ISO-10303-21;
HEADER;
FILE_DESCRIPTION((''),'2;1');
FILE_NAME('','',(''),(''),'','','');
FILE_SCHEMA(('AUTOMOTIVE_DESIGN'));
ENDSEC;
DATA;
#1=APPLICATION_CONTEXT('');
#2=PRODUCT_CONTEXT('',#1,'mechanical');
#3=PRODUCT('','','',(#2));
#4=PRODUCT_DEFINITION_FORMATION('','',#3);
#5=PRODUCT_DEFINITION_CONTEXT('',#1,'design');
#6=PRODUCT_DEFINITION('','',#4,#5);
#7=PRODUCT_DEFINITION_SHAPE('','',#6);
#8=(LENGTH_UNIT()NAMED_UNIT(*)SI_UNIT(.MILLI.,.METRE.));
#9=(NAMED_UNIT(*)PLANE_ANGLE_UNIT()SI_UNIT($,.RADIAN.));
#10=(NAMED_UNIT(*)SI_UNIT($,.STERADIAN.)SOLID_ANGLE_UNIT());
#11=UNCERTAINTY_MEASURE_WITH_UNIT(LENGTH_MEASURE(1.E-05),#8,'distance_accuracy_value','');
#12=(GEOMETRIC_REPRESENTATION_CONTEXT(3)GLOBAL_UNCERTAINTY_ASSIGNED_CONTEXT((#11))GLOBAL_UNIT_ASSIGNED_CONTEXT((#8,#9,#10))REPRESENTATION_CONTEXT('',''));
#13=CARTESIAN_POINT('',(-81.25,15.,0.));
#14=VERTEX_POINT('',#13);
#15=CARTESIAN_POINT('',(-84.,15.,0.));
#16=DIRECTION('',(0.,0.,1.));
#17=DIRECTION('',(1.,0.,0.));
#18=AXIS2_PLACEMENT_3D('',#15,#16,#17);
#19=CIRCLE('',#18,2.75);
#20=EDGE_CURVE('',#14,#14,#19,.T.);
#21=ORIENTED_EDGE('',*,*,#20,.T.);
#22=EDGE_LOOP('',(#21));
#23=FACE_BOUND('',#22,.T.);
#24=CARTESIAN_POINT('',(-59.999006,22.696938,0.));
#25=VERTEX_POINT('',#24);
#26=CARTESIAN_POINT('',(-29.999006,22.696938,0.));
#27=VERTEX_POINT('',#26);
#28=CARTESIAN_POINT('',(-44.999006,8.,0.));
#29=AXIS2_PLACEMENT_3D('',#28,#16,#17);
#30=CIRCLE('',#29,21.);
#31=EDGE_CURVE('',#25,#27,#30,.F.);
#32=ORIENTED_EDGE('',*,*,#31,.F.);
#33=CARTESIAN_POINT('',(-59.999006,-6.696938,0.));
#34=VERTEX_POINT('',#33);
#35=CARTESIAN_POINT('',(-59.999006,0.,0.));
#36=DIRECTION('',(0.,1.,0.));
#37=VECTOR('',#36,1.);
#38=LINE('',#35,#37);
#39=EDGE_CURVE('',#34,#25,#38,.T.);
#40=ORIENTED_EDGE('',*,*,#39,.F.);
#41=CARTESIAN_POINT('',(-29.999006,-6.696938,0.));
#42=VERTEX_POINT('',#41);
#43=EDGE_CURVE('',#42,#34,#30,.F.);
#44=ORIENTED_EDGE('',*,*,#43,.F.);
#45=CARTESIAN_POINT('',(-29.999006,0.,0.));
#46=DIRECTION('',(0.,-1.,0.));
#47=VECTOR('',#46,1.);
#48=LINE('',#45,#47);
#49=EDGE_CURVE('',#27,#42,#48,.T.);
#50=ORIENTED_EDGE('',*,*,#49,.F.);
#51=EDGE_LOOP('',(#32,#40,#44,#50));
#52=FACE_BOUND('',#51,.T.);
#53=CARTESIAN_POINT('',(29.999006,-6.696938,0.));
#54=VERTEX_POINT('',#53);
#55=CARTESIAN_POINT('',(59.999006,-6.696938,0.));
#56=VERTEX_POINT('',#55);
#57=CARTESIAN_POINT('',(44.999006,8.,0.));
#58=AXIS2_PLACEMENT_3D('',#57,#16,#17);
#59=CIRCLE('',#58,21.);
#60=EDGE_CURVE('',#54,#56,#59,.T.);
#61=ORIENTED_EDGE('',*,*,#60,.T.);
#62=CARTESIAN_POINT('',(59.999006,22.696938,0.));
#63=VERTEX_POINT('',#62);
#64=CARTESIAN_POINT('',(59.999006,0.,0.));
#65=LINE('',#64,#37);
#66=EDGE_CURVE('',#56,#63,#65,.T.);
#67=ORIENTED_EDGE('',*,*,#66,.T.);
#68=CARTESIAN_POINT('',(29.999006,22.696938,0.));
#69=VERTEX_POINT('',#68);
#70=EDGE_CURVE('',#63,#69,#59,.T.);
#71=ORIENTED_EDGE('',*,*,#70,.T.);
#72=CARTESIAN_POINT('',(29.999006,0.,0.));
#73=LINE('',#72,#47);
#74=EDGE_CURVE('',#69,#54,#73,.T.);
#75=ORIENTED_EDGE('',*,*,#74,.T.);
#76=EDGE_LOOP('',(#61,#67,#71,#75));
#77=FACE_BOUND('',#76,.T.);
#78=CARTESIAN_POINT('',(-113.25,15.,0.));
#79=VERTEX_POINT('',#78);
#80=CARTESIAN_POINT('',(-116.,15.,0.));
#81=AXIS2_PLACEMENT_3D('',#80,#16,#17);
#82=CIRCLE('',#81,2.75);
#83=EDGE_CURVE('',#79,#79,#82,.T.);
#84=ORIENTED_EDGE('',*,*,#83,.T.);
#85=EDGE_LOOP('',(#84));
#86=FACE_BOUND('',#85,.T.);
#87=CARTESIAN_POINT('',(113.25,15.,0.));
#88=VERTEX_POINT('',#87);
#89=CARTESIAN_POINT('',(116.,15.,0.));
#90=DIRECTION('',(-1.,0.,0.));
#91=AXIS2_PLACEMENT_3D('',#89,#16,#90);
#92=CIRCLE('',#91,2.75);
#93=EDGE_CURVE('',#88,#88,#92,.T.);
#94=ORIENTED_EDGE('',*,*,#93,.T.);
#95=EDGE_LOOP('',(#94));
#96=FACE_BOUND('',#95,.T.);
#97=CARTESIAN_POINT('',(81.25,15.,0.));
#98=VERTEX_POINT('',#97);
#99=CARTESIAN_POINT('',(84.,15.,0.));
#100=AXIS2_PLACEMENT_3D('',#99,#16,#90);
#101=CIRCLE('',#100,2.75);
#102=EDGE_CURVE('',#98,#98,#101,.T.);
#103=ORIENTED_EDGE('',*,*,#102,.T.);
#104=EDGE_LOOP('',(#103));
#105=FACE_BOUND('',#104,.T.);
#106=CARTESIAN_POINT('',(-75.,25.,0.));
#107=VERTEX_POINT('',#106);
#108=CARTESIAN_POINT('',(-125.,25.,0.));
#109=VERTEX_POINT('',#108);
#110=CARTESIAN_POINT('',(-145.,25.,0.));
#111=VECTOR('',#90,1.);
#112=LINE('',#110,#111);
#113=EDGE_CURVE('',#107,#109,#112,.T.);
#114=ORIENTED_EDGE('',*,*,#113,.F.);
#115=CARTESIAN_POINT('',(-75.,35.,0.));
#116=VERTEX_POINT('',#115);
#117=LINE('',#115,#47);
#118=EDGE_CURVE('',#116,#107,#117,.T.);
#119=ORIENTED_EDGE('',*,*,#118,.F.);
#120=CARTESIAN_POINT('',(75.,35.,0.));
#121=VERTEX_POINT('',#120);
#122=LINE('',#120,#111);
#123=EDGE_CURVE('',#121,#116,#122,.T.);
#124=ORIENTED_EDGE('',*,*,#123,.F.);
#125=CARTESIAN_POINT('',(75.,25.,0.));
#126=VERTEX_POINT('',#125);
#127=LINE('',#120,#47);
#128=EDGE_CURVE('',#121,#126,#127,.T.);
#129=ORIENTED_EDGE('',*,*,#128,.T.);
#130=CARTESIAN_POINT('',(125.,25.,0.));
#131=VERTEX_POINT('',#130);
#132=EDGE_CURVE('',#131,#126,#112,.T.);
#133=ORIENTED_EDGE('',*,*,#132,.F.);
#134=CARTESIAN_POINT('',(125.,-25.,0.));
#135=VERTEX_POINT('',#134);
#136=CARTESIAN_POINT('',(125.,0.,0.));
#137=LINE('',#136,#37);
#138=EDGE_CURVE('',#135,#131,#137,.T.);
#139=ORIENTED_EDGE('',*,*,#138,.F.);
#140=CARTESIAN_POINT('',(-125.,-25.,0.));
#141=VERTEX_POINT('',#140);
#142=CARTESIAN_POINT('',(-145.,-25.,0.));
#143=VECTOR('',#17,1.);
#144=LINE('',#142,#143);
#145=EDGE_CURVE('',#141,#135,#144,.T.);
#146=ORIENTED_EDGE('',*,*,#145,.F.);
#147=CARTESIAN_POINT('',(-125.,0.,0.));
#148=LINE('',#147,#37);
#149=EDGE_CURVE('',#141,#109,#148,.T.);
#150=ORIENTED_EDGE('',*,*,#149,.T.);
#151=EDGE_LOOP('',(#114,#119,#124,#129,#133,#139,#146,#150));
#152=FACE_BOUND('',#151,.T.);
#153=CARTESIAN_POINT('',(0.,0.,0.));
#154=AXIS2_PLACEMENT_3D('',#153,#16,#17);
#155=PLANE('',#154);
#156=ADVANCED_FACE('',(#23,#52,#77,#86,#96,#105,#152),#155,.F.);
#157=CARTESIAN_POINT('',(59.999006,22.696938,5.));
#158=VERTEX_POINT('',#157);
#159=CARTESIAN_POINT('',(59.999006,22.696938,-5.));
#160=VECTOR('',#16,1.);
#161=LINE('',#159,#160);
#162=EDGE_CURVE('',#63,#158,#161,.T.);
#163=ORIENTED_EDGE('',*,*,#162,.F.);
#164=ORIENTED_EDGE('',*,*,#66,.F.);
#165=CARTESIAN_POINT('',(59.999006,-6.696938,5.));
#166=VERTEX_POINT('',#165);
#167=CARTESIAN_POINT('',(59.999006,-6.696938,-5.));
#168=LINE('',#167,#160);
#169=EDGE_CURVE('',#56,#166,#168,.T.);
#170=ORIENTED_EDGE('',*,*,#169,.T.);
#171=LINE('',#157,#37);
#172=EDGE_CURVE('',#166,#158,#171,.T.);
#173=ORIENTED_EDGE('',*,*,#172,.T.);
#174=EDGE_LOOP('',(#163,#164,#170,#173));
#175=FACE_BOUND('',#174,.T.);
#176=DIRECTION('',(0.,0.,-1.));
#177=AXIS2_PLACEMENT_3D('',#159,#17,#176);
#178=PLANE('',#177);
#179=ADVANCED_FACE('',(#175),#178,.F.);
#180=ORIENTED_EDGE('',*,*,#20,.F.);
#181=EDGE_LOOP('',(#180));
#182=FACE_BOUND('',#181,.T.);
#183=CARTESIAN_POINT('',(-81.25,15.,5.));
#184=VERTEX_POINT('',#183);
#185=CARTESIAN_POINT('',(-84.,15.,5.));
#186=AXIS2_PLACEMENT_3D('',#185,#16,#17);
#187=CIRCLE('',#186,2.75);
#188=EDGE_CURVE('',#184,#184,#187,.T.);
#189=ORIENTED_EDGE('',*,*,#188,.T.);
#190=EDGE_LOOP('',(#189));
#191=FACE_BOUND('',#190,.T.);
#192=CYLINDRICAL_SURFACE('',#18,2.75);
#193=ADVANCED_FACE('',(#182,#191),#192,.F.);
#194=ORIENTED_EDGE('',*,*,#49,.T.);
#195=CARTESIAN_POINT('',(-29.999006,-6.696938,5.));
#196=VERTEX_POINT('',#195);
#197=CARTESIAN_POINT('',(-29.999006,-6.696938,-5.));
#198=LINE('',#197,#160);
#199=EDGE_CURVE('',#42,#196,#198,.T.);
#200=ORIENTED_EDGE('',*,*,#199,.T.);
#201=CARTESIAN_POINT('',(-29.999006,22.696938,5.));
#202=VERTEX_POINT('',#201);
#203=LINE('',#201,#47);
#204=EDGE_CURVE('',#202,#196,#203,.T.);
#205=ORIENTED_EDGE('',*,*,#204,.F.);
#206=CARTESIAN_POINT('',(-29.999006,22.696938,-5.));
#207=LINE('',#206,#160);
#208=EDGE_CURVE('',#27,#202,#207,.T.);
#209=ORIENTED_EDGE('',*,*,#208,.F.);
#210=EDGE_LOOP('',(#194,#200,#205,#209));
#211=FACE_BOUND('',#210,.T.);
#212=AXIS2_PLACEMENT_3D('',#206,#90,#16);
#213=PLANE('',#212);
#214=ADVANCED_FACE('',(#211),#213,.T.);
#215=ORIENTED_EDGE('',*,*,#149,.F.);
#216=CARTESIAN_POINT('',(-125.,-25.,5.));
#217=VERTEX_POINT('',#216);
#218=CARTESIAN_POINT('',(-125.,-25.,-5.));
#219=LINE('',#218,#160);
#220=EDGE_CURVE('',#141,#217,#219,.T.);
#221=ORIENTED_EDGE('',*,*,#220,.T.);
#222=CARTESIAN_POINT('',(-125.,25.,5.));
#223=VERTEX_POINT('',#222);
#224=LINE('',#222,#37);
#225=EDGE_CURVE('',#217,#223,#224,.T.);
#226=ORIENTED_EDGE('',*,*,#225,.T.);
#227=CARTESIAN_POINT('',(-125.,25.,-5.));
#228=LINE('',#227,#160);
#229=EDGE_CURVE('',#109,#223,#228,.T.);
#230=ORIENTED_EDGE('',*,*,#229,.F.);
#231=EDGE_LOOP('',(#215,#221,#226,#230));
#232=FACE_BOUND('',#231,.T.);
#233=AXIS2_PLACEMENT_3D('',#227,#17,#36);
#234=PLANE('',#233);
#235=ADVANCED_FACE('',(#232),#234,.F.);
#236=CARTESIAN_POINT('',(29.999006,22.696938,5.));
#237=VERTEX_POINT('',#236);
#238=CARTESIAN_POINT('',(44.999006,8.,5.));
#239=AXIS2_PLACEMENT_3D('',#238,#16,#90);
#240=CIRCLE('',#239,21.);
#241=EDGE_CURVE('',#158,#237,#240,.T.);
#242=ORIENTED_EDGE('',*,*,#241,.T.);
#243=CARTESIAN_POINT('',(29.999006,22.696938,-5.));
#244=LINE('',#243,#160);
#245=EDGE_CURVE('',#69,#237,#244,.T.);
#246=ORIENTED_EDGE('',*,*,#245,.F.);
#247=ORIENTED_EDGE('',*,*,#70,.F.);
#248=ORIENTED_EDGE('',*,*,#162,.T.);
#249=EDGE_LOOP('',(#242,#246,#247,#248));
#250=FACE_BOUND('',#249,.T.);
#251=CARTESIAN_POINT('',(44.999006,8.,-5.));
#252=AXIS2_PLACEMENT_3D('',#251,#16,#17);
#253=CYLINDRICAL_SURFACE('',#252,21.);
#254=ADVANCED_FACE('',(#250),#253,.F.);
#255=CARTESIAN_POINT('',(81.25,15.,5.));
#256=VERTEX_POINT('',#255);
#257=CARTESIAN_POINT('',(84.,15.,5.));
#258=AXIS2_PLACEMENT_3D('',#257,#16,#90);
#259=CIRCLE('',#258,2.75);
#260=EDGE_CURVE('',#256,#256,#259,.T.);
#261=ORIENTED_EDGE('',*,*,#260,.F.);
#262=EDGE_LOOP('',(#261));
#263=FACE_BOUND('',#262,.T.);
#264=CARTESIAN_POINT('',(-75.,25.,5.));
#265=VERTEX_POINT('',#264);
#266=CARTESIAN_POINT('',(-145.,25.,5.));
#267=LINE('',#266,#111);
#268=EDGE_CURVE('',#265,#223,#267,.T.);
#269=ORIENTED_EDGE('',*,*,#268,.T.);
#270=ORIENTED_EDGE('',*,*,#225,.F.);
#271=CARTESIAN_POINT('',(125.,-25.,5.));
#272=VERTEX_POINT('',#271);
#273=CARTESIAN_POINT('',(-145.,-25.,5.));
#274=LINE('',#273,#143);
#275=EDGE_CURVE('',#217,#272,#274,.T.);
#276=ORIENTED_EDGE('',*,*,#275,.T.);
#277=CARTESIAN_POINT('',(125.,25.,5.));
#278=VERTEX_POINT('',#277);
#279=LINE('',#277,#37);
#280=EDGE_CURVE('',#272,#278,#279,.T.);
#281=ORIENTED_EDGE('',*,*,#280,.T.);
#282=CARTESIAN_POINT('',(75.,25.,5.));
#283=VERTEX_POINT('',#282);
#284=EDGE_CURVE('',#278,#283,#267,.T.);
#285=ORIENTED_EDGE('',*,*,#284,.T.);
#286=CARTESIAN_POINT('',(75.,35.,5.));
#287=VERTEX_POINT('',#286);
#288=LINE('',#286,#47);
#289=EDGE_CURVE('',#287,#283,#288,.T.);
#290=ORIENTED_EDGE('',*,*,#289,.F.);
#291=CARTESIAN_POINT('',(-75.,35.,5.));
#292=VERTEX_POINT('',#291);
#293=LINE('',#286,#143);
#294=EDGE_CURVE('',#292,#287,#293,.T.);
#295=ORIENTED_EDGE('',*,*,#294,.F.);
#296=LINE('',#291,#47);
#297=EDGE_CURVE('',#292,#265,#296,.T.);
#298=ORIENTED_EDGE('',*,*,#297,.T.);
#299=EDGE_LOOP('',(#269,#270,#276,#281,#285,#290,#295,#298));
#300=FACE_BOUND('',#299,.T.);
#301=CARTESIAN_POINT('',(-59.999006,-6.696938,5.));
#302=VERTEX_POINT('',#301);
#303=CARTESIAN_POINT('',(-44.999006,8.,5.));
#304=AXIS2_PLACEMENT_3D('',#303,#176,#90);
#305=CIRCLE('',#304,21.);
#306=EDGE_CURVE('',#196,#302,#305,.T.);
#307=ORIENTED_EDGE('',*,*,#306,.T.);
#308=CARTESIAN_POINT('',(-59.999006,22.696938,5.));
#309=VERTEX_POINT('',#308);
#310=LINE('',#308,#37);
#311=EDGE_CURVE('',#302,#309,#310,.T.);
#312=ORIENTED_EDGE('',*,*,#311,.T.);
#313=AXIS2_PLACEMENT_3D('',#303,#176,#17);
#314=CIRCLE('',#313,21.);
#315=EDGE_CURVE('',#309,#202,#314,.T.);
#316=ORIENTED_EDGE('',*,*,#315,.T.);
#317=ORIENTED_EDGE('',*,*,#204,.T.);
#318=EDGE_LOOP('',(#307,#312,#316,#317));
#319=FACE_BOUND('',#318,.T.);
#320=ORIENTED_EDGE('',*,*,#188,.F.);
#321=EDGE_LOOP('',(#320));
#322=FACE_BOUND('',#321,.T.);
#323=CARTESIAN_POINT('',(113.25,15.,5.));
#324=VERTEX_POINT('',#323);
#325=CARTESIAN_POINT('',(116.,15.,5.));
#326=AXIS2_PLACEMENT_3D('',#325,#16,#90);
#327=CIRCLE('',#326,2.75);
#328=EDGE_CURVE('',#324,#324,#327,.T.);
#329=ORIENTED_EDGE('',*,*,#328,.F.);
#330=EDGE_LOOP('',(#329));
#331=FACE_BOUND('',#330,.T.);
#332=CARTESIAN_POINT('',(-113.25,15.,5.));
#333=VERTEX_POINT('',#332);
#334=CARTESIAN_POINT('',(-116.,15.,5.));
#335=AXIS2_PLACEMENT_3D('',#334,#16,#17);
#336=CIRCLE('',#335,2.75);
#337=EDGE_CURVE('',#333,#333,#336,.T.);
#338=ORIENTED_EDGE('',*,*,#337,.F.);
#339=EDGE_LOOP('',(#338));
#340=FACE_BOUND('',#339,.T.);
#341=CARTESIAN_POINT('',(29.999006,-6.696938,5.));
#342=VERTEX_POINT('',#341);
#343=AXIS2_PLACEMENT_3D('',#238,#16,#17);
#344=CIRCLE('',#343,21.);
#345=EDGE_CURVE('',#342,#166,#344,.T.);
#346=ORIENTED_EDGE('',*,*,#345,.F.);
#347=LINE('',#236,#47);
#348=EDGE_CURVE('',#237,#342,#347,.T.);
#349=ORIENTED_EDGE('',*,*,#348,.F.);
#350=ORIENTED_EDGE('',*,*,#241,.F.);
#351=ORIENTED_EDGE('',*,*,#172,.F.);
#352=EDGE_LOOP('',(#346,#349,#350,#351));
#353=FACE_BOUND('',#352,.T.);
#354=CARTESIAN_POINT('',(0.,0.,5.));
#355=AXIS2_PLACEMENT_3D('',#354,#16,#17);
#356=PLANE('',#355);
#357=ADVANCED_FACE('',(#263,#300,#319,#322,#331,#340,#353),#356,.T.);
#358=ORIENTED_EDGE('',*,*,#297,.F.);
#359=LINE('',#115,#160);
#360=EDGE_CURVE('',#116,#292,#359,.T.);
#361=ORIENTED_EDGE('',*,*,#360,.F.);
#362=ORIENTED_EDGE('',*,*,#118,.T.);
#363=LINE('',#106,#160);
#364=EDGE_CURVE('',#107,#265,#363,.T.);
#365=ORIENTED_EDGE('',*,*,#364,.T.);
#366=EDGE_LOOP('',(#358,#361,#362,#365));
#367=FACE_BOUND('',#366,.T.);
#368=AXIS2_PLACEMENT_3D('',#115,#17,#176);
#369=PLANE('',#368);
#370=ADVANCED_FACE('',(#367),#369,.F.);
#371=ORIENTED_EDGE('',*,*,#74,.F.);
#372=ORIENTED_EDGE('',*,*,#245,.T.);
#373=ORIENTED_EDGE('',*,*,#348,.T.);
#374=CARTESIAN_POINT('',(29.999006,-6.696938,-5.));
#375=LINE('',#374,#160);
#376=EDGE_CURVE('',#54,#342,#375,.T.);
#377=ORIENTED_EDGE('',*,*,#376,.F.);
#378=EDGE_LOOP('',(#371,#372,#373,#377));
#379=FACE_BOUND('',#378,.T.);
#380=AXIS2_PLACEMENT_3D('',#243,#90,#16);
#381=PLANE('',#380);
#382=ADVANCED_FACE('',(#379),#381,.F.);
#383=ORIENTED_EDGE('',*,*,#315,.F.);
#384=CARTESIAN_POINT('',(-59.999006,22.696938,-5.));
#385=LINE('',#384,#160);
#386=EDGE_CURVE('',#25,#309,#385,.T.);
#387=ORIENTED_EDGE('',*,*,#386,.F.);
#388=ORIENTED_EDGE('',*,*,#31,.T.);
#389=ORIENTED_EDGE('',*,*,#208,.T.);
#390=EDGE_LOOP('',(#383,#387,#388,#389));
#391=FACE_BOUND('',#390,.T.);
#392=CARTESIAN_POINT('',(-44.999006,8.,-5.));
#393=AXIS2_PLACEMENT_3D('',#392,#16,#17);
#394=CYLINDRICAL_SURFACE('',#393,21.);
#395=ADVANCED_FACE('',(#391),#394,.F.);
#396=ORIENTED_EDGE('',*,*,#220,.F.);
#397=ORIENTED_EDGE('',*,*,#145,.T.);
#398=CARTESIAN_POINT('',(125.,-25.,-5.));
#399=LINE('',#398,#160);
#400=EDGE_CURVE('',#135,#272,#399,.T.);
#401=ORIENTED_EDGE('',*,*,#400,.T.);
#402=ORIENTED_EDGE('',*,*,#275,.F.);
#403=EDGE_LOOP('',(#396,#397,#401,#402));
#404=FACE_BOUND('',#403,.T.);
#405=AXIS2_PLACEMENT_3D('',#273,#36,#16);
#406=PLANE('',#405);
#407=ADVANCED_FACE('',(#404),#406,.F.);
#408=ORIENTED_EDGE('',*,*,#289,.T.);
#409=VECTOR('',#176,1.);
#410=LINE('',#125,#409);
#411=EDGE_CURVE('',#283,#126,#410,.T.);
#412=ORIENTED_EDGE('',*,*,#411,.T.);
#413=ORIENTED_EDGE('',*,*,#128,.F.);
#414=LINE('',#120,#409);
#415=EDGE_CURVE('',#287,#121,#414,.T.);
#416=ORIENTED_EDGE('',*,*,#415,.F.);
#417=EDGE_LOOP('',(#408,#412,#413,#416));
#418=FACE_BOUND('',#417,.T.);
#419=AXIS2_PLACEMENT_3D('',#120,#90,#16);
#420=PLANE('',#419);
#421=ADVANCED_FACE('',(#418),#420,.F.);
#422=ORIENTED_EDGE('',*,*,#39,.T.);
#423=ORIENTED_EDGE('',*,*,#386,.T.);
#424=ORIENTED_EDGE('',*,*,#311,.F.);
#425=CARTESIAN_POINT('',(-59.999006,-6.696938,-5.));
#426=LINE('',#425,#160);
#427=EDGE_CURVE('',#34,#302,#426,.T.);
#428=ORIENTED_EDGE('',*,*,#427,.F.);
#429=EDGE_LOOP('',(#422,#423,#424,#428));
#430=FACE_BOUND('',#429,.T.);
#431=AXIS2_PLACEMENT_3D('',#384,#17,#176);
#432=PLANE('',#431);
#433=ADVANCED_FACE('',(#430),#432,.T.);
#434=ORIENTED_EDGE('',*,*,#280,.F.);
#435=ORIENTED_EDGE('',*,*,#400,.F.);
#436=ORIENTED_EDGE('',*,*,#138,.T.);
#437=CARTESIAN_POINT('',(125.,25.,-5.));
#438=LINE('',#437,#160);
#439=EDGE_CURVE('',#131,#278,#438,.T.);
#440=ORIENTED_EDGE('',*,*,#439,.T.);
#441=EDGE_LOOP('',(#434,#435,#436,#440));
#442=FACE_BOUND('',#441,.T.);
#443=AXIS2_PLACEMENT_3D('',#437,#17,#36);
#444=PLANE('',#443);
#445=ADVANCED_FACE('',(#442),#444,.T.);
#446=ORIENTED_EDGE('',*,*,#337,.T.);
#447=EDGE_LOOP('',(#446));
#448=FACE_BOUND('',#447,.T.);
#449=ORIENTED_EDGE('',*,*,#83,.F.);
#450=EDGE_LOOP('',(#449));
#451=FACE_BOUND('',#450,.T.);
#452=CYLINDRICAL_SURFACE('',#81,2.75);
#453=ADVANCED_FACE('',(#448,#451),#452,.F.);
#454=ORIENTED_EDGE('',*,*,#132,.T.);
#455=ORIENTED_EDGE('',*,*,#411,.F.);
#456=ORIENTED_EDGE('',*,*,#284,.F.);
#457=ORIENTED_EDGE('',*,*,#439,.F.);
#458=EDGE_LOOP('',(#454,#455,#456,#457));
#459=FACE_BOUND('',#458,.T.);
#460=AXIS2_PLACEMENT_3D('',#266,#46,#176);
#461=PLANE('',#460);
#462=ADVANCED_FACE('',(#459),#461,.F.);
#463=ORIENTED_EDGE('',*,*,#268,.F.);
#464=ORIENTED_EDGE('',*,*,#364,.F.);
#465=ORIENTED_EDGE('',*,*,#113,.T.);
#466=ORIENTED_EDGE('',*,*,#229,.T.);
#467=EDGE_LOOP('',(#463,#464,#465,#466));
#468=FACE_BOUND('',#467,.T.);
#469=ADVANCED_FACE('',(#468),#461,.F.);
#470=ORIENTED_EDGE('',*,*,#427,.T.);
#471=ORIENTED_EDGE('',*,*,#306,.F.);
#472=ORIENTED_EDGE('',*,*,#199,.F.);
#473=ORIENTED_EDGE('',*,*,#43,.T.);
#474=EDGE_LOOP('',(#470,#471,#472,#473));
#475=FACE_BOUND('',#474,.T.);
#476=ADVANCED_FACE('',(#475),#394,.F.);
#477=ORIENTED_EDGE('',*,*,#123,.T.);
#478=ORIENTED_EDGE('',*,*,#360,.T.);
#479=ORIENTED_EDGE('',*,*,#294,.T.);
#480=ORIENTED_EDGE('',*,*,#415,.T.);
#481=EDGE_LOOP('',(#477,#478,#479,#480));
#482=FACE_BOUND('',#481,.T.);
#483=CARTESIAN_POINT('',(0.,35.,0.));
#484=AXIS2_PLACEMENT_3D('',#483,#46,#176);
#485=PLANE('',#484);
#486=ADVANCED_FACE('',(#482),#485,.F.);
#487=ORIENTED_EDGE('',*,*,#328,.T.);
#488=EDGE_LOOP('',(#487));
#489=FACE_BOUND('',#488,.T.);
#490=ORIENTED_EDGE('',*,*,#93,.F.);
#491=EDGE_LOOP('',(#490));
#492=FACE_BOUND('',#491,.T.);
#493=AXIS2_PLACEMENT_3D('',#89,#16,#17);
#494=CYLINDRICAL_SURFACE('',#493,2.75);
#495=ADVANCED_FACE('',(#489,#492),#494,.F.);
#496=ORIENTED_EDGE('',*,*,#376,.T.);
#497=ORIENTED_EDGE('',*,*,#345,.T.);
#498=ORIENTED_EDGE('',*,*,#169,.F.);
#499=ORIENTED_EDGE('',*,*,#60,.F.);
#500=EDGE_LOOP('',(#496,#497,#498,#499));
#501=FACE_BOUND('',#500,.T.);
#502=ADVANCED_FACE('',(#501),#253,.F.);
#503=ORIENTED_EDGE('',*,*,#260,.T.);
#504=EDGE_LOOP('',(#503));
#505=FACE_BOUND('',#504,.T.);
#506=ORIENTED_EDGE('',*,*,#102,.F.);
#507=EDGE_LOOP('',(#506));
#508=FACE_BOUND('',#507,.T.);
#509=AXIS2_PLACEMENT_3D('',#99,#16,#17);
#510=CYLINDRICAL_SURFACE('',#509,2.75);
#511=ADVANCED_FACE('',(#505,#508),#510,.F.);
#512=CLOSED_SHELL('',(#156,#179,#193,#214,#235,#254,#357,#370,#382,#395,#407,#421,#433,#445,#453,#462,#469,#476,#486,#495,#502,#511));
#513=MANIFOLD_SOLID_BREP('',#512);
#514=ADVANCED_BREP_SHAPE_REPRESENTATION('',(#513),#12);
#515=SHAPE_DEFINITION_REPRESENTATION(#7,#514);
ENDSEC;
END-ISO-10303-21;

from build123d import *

# Parameters (mm, degrees)
SKETCH_1_W          = 290
SKETCH_1_H          = 50
EXTRUDE_1_DEPTH     = 5
SKETCH_3_W          = 20
SKETCH_3_H          = 50
CUT_EXTRUDE_1_DEPTH = 10
SKETCH_4_W          = 150
SKETCH_4_H          = 5
EXTRUDE_2_DEPTH     = 10
SKETCH_5_R          = 2.75
CUT_EXTRUDE_4_DEPTH = 130.903810568
CUT_EXTRUDE_5_DEPTH = 10


with BuildPart() as part:
    # 스케치1 → 보스-돌출1 (new body)
    with BuildSketch(Plane.XY):
        Rectangle(SKETCH_1_W, SKETCH_1_H)
    extrude(amount=EXTRUDE_1_DEPTH)

    # 스케치3 → 컷-돌출1 (cut)
    with BuildSketch(Plane.XY.offset(5)):
        with Locations((-135, 0)):
            Rectangle(SKETCH_3_W, SKETCH_3_H)
    cut_extrude_1 = extrude(amount=-CUT_EXTRUDE_1_DEPTH, mode=Mode.SUBTRACT)

    # 대칭 복사1: 컷-돌출1 across plane
    add(cut_extrude_1.mirror(Plane(origin=(0, 0, 0), x_dir=(0, 0, 1), z_dir=(1, 0, 0))), mode=Mode.SUBTRACT)

    # 스케치4 → 보스-돌출2 (add)
    with BuildSketch(Plane(origin=(0, 25, 0), x_dir=(1, 0, 0), z_dir=(0, 1, 0))):
        with Locations((0, -2.5)):
            Rectangle(SKETCH_4_W, SKETCH_4_H)
    extrude(amount=EXTRUDE_2_DEPTH)

    # 스케치5 → 컷-돌출4 (cut, through all)
    with BuildSketch(Plane.XY.offset(5)):
        with Locations((-84, 15)):
            Circle(SKETCH_5_R)
        with Locations((-116, 15)):
            Circle(SKETCH_5_R)
        with Locations(Location((116, 15, 0), (0, 0, 180))):
            Circle(SKETCH_5_R)
        with Locations(Location((84, 15, 0), (0, 0, 180))):
            Circle(SKETCH_5_R)
    extrude(amount=-CUT_EXTRUDE_4_DEPTH, mode=Mode.SUBTRACT)

    # 스케치6 → 컷-돌출5 (cut)
    with BuildSketch(Plane.XY.offset(5)):
        with BuildLine():
            Line((59.99900565, 22.696938457), (59.99900565, -6.696938457))
            ThreePointArc((59.99900565, -6.696938457), (44.99900565, -13), (29.99900565, -6.696938457))
            Line((29.99900565, -6.696938457), (29.99900565, 22.696938457))
            ThreePointArc((29.99900565, 22.696938457), (44.99900565, 29), (59.99900565, 22.696938457))
        make_face()
    cut_extrude_5 = extrude(amount=-CUT_EXTRUDE_5_DEPTH, mode=Mode.SUBTRACT)

    # 대칭 복사2: 컷-돌출5 across plane
    add(cut_extrude_5.mirror(Plane.ZY), mode=Mode.SUBTRACT)


solid = part.part
